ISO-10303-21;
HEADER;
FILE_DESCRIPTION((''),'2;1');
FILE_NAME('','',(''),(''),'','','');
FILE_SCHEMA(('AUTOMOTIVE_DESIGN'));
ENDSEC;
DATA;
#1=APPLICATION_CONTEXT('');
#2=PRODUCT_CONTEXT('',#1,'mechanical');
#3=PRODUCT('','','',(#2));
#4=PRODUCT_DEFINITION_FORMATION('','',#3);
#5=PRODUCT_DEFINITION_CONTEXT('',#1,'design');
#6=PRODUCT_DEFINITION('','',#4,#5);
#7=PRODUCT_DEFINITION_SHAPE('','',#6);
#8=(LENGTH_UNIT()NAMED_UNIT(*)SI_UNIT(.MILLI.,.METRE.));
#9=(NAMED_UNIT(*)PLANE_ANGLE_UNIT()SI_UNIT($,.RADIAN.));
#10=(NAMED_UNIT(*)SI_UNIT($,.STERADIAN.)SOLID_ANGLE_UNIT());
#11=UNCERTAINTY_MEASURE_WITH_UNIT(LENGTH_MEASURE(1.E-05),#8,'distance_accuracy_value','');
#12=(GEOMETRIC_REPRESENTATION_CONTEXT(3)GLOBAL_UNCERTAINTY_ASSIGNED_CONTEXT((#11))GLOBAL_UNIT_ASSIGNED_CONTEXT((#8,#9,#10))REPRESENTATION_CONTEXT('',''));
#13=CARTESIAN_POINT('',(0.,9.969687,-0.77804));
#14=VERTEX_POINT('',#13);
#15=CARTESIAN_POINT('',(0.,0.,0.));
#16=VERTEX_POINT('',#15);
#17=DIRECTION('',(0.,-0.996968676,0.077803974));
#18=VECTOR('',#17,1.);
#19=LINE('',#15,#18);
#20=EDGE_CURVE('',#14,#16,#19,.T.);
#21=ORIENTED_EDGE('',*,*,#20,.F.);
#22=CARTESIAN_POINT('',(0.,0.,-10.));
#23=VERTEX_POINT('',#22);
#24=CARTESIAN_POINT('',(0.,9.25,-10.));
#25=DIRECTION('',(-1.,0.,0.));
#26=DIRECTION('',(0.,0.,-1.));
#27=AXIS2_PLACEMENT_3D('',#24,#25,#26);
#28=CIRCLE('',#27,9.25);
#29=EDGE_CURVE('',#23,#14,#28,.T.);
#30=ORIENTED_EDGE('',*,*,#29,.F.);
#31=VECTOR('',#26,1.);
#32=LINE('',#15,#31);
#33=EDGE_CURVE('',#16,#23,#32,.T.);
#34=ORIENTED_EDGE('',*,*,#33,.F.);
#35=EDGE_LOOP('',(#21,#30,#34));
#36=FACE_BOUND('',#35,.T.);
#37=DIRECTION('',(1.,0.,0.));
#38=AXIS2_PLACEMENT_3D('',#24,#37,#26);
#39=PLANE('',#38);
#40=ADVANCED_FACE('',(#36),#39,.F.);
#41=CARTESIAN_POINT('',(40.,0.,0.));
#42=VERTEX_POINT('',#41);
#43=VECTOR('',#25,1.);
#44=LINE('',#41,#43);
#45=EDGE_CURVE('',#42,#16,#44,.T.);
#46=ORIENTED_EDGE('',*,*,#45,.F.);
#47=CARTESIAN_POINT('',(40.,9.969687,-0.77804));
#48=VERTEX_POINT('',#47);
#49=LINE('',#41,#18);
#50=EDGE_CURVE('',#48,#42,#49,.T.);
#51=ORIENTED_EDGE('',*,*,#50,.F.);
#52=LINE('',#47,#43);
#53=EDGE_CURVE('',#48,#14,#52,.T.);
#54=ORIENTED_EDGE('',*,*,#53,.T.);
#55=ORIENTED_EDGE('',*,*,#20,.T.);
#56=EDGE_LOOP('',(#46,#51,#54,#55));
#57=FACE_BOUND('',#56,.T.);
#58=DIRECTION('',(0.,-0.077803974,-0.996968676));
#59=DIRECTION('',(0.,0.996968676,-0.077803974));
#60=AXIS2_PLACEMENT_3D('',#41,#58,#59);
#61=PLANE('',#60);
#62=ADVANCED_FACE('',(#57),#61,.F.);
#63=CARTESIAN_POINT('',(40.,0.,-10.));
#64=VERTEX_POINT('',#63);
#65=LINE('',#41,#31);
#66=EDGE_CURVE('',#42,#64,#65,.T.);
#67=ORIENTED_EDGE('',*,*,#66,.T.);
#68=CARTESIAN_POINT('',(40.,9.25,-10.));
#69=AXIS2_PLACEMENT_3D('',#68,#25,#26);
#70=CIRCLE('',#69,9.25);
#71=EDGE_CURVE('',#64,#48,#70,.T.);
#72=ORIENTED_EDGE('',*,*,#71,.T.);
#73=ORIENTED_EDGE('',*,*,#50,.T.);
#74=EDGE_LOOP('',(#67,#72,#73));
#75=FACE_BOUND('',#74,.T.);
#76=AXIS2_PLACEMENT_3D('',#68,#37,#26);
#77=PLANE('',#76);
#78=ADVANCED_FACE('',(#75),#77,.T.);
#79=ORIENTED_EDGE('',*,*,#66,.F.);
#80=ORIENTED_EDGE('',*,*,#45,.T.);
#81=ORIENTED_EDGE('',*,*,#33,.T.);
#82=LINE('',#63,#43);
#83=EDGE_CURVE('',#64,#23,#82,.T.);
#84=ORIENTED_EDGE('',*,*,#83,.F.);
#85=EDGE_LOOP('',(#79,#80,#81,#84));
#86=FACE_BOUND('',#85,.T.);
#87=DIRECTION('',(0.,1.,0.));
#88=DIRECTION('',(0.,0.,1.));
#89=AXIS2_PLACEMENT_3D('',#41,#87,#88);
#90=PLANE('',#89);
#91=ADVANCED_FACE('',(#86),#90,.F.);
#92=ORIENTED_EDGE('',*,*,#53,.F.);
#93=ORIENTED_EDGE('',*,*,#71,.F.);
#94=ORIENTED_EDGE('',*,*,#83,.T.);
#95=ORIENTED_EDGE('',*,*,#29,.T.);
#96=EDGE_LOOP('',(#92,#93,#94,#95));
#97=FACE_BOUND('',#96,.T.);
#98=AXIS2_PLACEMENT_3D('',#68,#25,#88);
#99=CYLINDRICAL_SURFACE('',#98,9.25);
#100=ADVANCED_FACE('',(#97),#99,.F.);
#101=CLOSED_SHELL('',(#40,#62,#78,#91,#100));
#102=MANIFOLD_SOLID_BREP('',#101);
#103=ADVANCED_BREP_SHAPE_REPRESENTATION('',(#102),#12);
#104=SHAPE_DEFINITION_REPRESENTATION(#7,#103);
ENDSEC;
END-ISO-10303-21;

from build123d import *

# Parameters (mm, degrees)
BOSS_EXTRUDE1_DEPTH = 40


with BuildPart() as part:
    # Sketch1 → Boss-Extrude1 (new body)
    with BuildSketch(Plane(origin=(0, 0, 0), x_dir=(0, 0, -1), z_dir=(1, 0, 0))):
        with BuildLine():
            Line((0, 0), (10, 0))
            ThreePointArc((10, 0), (3.209580184, 2.96886167), (0.778039744, 9.969686763))
            Line((0.778039744, 9.969686763), (0, 0))
        make_face()
    extrude(amount=BOSS_EXTRUDE1_DEPTH)


solid = part.part
